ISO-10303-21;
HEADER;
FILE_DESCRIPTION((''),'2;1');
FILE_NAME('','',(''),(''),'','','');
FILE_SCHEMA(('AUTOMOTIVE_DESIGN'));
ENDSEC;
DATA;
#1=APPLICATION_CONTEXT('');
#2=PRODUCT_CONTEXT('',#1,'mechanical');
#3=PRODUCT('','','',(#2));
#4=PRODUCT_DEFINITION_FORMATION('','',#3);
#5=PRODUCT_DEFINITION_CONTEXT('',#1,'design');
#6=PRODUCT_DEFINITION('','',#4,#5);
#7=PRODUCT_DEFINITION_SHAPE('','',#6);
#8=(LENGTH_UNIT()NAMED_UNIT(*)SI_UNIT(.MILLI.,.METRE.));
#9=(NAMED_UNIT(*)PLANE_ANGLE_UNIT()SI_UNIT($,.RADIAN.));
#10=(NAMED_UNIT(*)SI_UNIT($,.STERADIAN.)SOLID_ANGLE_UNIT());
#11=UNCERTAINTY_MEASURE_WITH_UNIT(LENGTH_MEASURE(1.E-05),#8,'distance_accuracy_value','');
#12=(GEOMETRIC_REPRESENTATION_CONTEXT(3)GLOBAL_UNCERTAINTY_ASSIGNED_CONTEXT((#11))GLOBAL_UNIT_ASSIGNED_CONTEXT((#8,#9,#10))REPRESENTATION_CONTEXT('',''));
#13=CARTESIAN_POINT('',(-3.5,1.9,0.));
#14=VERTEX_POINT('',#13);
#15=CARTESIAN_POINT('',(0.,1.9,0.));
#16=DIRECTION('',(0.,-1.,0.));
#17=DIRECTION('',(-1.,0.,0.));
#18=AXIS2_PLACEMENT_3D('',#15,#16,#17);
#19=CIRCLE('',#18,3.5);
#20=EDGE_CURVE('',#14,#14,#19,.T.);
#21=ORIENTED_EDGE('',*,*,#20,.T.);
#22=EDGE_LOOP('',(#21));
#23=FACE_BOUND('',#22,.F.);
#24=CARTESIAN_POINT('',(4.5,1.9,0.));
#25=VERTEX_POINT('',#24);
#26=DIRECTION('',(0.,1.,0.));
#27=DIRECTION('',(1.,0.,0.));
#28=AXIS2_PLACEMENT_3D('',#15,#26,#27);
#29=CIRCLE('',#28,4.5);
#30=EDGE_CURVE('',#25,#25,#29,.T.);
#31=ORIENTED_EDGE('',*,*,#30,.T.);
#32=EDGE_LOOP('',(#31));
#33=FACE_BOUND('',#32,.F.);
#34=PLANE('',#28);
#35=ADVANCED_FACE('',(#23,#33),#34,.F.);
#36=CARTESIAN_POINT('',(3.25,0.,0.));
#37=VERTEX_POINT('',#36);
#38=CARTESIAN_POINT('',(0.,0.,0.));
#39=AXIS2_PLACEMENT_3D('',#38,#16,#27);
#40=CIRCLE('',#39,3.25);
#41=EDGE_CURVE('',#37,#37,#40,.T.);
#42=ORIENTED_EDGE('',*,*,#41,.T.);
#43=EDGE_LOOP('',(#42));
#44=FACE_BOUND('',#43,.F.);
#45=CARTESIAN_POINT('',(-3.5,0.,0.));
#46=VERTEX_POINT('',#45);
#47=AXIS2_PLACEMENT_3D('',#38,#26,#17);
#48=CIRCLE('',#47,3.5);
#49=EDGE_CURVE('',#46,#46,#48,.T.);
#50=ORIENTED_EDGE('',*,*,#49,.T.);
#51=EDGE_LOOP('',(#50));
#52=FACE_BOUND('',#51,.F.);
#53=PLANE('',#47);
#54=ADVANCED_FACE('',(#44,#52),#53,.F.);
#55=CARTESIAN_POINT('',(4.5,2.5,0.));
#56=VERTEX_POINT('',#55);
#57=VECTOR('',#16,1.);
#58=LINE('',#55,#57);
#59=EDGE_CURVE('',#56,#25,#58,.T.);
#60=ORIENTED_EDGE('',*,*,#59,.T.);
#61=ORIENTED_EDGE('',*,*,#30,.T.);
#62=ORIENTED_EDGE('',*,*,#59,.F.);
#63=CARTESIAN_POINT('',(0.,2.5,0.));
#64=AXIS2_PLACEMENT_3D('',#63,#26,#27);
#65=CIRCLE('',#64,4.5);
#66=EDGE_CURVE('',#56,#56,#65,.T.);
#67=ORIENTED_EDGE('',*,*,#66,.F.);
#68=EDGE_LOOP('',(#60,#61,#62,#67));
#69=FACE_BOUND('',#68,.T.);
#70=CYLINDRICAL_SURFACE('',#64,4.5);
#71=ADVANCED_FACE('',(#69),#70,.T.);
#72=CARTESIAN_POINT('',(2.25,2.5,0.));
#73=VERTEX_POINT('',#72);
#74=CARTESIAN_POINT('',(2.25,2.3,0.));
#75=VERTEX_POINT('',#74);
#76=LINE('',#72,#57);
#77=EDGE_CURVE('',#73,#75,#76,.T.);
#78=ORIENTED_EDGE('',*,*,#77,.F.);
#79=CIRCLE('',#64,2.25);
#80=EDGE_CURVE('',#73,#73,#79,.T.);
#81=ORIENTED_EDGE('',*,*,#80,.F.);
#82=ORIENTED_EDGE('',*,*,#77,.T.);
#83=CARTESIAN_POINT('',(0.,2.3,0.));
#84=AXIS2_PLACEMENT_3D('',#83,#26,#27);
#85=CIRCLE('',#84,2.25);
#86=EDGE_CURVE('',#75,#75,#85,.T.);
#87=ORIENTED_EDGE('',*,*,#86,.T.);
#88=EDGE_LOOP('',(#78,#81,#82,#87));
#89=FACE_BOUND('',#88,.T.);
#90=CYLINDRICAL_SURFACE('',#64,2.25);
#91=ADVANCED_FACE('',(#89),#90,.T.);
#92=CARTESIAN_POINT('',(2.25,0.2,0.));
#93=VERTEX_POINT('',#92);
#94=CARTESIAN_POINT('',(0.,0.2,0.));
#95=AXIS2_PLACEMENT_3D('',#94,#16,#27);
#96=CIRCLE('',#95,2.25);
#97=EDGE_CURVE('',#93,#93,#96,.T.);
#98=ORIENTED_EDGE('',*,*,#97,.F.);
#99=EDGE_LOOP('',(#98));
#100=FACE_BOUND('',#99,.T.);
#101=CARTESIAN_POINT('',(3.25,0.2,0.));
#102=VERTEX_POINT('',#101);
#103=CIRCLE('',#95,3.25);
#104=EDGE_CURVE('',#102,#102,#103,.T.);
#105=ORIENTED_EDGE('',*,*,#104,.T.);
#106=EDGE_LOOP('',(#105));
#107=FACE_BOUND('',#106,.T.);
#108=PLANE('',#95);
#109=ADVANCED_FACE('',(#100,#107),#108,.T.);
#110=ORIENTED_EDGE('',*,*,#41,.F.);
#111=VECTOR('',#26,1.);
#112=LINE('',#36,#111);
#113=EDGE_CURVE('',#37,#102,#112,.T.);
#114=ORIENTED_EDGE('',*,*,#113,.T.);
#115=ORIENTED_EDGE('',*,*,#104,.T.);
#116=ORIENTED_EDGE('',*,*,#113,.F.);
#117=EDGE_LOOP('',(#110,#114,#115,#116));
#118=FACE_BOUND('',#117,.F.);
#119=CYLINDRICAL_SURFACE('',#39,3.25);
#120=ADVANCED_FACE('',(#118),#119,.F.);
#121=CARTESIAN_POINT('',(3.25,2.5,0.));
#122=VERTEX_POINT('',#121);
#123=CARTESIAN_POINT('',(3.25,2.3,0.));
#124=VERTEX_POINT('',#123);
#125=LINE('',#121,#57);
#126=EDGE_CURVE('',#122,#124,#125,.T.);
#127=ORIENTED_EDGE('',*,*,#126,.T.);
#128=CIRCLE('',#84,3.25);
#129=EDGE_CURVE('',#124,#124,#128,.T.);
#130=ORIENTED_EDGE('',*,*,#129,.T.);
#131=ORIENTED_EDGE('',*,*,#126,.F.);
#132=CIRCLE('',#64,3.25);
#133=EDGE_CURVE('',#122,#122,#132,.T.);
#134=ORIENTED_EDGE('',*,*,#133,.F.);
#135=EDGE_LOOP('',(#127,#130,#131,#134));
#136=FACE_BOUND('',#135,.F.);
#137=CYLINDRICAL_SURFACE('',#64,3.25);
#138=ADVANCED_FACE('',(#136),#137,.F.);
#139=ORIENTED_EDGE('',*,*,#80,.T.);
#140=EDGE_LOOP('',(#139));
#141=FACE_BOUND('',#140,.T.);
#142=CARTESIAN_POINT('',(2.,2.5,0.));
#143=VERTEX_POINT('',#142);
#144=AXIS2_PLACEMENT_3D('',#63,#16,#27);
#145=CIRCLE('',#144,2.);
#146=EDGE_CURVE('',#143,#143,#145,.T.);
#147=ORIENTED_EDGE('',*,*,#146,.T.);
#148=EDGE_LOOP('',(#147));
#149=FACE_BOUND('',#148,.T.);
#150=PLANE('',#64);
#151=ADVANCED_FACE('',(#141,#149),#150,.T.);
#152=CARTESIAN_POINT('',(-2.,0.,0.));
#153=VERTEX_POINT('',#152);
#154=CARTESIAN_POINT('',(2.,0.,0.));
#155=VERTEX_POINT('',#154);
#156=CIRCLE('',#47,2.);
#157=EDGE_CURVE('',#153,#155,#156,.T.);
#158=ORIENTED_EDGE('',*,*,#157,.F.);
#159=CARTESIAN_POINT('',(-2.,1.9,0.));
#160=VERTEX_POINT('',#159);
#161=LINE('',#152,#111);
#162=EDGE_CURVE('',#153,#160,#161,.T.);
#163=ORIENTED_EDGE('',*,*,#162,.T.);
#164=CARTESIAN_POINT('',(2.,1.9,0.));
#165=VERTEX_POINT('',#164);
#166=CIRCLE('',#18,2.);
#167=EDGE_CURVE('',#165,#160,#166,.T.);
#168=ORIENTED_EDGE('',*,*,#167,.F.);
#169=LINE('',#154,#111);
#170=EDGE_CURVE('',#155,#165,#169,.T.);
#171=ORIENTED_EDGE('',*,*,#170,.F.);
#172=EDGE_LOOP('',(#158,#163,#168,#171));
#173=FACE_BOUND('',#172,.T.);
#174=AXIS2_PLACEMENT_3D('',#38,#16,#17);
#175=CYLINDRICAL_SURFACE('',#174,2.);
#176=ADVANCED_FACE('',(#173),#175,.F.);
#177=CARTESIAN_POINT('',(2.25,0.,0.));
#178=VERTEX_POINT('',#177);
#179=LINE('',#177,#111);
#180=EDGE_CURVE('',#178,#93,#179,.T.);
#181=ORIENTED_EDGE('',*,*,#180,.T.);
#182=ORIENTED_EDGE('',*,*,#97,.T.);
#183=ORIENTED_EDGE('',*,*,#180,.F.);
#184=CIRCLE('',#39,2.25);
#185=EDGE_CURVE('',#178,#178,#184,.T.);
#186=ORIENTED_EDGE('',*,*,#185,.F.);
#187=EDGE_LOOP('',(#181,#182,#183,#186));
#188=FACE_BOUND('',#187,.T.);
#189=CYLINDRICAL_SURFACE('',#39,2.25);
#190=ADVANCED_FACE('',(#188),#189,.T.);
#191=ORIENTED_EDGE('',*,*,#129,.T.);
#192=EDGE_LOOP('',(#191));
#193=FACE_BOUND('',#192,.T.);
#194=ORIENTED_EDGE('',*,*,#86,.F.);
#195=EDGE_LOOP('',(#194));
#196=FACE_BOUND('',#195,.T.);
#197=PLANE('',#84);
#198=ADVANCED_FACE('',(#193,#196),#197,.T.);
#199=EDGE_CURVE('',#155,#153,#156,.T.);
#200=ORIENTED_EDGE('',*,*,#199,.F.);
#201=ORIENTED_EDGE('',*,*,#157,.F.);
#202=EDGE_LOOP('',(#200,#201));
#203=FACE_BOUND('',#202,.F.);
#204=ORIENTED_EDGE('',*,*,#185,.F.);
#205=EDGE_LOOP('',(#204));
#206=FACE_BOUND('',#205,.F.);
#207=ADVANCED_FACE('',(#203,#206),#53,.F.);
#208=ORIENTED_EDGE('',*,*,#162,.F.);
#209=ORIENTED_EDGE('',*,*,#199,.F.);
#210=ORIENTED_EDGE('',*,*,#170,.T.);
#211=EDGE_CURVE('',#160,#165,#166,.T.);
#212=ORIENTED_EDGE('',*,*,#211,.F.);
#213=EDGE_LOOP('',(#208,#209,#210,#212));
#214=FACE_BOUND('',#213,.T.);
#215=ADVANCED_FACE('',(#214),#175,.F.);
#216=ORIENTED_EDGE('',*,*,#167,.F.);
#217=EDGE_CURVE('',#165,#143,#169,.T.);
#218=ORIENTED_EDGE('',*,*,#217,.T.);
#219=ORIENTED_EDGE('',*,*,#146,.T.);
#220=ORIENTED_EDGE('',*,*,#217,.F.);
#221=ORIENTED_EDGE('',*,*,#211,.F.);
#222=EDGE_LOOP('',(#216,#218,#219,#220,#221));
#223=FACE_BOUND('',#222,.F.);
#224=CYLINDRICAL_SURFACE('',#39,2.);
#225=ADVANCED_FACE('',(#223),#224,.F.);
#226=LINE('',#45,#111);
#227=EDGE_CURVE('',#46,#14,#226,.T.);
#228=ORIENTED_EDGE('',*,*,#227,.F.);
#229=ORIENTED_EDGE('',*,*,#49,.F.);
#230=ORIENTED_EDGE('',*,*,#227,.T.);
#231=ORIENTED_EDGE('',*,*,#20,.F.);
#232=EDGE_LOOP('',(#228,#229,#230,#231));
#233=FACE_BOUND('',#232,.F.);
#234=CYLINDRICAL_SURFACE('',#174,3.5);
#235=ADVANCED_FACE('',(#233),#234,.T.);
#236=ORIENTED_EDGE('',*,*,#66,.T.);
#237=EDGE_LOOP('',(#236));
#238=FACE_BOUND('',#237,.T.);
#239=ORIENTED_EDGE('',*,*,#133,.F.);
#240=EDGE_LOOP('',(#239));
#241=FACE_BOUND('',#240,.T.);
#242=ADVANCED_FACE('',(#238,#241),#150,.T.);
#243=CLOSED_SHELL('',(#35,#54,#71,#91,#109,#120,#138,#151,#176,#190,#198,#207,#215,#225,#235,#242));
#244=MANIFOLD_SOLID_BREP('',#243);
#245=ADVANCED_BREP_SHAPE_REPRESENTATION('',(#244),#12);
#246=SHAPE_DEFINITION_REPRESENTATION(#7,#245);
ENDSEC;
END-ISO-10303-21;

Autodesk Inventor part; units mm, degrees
ref_plane "YZ Plane" through (0, 0, 0) normal (1, 0, 0) x (0, 1, 0)
ref_plane "XZ Plane" through (0, 0, 0) normal (0, 1, 0) x (-1, 0, 0)
ref_plane "XY Plane" through (0, 0, 0) normal (0, 0, 1) x (1, 0, 0)
sketch "スケッチ1" plane through (0, 0, 0) normal (0, 1, 0) x (-1, 0, 0)
  circle A0 centre (0, 0) radius 2
  circle A1 centre (0, 0) radius 3.5
  circle A2 centre (0, 0) radius 4.25
  dimension "d0" = 4
  dimension "d1" = 7
  dimension "d2" = 8.5
extrude "押し出し1" add sketch "スケッチ1" along normal blind 2.5 contours A1
sketch "スケッチ2" plane through (0, 2.5, 0) normal (0, 1, 0) x (1, 0, 0)
  circle A0 centre (0, 0) radius 4.5
  dimension "d5" = 9
extrude "押し出し2" add sketch "スケッチ2" against normal blind 0.6
sketch "スケッチ3" plane through (0, 0, 0) normal (0, -1, 0) x (1, 0, 0)
  circle A0 centre (0, 0) radius 2
extrude "押し出し3" cut sketch "スケッチ3" against normal through all
sketch "スケッチ4" plane through (0, 2.5, 0) normal (0, 1, 0) x (1, 0, 0)
  circle A0 centre (0, 0) radius 4.5 projected
  circle A1 centre (0, 0) radius 2.25
  circle A2 centre (0, 0) radius 3.25
  dimension "d10" = 4.5
  dimension "d11" = 6.5
extrude "押し出し4" cut sketch "スケッチ4" against normal blind 0.2 contours A2
sketch "スケッチ5" plane through (0, 0, 0) normal (0, -1, 0) x (1, 0, 0)
  circle A0 centre (0, 0) radius 2.25 projected
  circle A1 centre (0, 0) radius 3.25 projected
extrude "押し出し5" cut sketch "スケッチ5" against normal blind 0.2
properties part number "ベアリング3-7" material "アルミニウム 6061"
